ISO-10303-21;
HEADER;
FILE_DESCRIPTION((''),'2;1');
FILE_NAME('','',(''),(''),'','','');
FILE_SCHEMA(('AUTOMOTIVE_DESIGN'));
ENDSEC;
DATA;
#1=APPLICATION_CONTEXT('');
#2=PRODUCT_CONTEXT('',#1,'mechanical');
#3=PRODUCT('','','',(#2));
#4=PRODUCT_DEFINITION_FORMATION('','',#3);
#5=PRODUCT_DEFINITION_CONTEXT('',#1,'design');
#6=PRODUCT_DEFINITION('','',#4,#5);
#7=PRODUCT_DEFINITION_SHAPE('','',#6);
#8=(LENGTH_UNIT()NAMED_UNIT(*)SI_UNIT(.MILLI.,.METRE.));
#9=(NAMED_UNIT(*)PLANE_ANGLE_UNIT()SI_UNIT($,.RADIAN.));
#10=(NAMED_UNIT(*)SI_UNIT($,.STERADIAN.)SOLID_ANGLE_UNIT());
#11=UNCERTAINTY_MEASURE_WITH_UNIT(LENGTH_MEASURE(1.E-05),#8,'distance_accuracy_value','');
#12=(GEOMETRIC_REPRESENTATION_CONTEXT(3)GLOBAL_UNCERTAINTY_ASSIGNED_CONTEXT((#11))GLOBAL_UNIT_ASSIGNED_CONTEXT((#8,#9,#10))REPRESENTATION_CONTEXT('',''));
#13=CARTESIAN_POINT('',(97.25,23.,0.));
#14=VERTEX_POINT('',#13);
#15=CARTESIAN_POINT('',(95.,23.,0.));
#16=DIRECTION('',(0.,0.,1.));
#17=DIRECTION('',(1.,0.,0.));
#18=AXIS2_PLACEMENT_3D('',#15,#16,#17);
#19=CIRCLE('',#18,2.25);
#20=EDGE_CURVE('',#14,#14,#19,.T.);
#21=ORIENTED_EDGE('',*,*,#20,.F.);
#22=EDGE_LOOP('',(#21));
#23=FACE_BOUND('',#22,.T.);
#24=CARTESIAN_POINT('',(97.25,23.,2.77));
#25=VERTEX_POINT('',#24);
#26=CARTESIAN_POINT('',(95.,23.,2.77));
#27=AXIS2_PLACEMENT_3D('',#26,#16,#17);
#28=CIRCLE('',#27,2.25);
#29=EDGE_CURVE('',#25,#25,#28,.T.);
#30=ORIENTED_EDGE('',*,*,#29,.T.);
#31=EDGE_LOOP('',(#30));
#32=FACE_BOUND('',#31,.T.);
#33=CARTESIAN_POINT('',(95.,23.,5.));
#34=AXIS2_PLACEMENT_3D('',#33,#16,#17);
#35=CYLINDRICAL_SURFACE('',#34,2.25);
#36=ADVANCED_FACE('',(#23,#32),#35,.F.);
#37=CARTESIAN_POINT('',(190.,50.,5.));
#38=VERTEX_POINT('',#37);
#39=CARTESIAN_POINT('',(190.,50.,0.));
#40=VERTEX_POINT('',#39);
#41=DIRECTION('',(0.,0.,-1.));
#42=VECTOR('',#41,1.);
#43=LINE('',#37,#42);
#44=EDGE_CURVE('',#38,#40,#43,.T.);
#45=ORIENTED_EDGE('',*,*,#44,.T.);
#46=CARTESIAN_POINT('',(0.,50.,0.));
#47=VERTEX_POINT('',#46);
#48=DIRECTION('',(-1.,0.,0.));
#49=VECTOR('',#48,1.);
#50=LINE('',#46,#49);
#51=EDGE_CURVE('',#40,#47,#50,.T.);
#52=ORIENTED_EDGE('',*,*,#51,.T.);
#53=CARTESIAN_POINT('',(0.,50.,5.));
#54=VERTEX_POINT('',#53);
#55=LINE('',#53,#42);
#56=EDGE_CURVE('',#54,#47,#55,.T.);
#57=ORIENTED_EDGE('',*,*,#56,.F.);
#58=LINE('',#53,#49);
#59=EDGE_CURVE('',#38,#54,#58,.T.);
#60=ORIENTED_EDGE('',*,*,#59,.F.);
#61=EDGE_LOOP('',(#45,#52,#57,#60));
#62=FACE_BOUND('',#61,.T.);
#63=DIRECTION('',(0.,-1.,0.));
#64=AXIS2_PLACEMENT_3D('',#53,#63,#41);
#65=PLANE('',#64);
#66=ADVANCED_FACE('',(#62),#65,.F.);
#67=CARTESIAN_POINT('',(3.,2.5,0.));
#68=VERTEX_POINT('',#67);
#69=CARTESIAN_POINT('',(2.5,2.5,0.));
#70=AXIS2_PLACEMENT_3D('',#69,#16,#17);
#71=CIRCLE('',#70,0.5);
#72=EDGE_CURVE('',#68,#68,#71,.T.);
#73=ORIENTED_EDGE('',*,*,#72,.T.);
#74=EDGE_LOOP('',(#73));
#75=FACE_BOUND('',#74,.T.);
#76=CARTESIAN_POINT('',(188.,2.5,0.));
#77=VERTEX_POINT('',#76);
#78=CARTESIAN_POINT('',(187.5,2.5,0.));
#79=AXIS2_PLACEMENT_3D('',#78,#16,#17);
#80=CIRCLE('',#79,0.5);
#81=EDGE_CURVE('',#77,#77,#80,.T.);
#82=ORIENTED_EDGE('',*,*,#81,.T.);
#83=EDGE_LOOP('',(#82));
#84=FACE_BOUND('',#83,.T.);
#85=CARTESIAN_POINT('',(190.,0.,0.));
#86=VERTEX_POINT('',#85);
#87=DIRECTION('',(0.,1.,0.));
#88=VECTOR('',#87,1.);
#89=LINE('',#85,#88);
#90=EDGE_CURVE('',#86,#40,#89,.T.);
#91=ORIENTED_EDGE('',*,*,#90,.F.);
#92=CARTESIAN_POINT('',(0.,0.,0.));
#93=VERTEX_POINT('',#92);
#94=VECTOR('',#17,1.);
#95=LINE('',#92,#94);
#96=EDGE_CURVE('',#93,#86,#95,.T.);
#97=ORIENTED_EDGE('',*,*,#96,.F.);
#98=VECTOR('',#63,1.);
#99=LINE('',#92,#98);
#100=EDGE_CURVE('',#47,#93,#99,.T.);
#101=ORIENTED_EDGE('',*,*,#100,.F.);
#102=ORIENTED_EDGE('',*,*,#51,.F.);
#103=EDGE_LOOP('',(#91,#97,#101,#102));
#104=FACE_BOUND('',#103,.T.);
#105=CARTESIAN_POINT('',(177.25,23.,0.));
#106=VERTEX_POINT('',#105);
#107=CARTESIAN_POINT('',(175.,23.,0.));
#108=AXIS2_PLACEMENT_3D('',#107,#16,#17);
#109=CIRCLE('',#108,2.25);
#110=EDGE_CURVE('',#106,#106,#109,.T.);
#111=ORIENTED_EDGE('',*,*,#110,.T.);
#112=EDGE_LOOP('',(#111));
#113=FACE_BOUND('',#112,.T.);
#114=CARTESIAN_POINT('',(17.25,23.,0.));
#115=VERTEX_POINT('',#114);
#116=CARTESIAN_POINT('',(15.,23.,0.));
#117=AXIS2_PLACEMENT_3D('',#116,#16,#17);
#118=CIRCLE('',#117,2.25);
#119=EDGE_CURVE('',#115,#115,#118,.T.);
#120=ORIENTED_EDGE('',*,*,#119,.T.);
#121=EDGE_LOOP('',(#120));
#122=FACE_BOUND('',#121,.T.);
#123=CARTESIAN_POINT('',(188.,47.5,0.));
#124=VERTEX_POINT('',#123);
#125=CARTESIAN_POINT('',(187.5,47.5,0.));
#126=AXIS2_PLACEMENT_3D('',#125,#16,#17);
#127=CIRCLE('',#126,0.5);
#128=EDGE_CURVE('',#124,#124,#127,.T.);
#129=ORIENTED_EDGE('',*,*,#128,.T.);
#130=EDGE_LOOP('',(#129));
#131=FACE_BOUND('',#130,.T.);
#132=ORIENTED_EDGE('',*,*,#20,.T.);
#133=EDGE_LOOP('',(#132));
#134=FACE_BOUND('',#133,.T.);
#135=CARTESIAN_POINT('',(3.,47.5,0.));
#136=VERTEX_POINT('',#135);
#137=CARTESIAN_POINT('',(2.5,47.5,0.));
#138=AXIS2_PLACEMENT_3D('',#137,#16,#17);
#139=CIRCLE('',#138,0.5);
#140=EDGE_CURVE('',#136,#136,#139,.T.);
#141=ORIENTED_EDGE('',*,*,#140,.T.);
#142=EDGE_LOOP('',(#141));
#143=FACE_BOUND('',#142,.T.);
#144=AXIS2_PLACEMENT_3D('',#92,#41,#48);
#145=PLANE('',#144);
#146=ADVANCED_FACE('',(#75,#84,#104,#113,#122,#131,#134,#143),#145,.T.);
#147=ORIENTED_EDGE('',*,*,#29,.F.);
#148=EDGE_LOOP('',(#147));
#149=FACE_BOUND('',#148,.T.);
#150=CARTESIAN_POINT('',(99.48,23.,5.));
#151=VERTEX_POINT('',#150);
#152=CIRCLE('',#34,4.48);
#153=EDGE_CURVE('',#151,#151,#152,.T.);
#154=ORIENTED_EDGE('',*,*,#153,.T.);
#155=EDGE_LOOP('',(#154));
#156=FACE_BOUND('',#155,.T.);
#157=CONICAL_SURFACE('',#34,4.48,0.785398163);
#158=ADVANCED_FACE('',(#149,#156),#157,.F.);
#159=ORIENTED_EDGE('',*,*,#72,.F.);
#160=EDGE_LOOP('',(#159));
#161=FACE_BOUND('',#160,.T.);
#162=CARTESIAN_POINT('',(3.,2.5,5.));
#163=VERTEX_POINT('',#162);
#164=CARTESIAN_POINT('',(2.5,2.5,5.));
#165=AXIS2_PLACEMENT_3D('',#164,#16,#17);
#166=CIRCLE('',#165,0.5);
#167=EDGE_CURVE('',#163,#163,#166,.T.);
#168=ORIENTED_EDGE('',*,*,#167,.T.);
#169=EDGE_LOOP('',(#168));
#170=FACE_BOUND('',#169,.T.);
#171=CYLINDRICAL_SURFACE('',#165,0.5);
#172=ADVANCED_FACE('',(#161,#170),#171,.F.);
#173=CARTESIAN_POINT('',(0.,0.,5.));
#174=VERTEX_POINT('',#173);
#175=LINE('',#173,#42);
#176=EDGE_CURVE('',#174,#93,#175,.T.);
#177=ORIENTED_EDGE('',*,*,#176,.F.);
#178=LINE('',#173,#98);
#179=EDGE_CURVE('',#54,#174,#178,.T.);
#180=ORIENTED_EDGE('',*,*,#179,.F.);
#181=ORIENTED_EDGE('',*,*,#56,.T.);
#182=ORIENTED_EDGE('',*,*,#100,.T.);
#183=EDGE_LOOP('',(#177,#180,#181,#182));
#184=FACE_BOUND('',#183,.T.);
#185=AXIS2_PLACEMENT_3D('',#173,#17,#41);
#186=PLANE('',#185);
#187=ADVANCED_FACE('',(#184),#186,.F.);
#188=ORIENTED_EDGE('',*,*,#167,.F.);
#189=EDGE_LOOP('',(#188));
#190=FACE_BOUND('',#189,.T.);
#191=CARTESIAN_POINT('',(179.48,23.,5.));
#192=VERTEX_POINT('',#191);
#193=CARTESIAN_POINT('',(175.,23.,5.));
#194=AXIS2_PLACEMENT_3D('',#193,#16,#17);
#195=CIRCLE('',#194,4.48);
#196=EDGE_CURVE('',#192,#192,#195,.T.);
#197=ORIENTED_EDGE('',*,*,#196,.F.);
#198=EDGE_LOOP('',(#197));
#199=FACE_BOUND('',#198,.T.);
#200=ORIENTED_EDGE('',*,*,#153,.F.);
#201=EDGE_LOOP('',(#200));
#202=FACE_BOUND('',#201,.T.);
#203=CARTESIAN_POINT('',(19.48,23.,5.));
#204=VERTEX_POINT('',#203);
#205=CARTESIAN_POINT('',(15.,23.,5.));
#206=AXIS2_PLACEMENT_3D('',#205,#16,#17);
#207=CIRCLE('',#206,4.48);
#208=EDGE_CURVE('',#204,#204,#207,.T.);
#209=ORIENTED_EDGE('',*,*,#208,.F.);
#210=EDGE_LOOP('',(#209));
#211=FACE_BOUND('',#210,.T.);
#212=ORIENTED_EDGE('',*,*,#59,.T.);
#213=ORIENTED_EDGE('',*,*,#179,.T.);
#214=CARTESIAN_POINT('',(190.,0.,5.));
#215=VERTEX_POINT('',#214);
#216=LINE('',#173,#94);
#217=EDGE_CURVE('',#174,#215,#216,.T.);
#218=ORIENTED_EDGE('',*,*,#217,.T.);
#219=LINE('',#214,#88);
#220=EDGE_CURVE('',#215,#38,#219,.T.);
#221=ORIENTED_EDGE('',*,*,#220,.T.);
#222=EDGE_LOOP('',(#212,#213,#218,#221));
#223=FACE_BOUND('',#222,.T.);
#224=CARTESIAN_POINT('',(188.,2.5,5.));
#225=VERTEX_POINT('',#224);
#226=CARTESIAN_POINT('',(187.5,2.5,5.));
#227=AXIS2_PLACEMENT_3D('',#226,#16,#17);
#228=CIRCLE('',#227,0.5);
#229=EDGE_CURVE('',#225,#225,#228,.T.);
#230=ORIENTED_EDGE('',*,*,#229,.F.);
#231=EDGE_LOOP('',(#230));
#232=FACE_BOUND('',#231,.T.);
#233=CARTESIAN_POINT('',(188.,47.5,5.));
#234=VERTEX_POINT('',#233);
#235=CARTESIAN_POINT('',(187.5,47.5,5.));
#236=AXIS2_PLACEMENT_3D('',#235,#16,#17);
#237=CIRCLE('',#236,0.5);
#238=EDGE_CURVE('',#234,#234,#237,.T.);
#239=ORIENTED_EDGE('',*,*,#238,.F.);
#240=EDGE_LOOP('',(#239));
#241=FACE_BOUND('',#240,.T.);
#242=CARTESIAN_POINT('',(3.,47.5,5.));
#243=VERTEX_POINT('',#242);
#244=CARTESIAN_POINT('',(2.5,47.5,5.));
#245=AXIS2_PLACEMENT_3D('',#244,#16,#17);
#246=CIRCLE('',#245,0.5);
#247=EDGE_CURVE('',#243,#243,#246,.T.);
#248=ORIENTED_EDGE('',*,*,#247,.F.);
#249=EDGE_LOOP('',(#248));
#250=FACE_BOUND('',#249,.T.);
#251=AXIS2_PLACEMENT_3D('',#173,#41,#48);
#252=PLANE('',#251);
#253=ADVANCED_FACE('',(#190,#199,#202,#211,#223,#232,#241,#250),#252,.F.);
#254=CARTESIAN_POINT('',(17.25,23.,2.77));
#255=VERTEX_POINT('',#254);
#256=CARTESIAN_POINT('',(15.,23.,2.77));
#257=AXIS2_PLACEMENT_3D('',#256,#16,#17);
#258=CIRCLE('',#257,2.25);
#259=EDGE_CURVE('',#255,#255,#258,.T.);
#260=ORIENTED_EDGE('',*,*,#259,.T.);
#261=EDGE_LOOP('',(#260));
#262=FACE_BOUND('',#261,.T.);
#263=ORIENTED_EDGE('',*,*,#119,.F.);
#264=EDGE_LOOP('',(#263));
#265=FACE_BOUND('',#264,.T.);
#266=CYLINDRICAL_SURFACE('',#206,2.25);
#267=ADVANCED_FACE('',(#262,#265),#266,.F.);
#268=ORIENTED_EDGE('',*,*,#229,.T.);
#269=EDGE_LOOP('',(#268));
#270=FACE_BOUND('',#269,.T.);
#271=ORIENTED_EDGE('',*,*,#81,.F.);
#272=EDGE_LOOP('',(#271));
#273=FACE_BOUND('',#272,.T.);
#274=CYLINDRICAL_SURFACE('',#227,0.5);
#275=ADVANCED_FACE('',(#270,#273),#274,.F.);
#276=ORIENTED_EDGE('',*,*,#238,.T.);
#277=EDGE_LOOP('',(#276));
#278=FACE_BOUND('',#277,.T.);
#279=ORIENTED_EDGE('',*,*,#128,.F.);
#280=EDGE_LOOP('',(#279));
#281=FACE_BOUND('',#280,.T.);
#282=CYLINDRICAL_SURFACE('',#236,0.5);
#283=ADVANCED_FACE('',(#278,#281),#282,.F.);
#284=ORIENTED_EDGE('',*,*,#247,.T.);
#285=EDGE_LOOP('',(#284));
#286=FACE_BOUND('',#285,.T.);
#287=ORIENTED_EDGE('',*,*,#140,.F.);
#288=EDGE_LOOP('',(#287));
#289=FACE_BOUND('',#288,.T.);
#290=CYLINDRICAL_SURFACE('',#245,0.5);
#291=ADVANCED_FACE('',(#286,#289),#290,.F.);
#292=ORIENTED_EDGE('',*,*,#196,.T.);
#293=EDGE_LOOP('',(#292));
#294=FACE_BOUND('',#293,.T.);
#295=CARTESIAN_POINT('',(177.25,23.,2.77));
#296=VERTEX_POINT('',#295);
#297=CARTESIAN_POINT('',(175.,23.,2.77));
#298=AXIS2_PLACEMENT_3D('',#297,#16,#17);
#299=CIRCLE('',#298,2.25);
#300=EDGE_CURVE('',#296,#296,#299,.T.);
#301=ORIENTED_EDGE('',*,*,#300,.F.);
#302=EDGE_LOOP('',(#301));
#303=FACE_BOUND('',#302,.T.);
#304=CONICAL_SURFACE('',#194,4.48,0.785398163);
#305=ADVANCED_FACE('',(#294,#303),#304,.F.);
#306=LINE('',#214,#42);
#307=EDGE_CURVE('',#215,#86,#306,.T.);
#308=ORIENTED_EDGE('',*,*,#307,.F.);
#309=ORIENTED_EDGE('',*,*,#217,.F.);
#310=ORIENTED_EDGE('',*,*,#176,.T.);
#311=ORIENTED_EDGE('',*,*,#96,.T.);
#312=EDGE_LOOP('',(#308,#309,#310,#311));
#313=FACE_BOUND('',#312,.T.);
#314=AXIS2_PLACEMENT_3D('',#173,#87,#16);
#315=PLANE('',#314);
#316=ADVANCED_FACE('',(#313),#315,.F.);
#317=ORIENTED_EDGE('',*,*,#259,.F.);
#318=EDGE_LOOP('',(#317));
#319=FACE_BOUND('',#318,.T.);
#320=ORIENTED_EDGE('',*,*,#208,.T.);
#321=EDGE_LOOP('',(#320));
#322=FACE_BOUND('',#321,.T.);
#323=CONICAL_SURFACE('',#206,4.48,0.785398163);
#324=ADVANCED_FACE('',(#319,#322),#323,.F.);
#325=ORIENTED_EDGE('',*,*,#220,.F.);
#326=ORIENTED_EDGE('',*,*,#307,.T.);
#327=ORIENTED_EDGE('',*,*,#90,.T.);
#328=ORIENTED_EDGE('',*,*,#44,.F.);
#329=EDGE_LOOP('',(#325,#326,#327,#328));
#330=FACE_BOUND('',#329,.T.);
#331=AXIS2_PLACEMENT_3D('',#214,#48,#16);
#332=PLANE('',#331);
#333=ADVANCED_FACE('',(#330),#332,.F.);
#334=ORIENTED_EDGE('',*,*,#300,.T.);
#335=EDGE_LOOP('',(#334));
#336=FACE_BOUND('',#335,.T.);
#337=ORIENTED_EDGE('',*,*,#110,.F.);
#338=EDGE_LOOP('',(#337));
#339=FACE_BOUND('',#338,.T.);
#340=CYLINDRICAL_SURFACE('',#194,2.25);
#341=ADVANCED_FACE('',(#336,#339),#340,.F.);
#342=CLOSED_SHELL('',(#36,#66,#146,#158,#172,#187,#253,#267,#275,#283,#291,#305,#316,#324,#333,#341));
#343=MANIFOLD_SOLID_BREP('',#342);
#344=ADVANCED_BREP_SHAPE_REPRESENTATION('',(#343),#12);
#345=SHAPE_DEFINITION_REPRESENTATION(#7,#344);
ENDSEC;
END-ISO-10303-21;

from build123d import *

# Parameters (mm, degrees)
ESBO_O1_W                            = 190
ESBO_O1_H                            = 50
RESSALTO_EXTRUS_O1_DEPTH             = 5
FURO_DE_DI_METRO_1_0_1_1_D           = 1
ESCAREADO_PARA_SFHCS_M41_D           = 4.5
ESCAREADO_PARA_SFHCS_M41_CSINK_D     = 8.96
ESCAREADO_PARA_SFHCS_M41_CSINK_ANGLE = 90
ESCAREADO_PARA_SFHCS_M42_D           = 4.5
ESCAREADO_PARA_SFHCS_M42_CSINK_D     = 8.96
ESCAREADO_PARA_SFHCS_M42_CSINK_ANGLE = 90


with BuildPart() as part:
    # Esboço1 → Ressalto-extrusão1 (new body)
    with BuildSketch(Plane.XY):
        with Locations((95, 25)):
            Rectangle(ESBO_O1_W, ESBO_O1_H)
    extrude(amount=RESSALTO_EXTRUS_O1_DEPTH)

    # Furo de diâmetro Ø1.0 (1)1 (through all)
    with Locations(Plane(origin=(2.5, 47.5, 5), x_dir=(1, 0, 0), z_dir=(0, 0, 1))):
        with Locations((0, 0), (0, -45), (185, -45), (185, 0)):
            Hole(FURO_DE_DI_METRO_1_0_1_1_D / 2)

    # Escareado para SFHCS M41 (through all)
    with Locations(Plane(origin=(15, 23, 5), x_dir=(1, 0, 0), z_dir=(0, 0, 1))):
        with Locations((0, 0), (80, 0)):
            CounterSinkHole(ESCAREADO_PARA_SFHCS_M41_D / 2, ESCAREADO_PARA_SFHCS_M41_CSINK_D / 2, counter_sink_angle=ESCAREADO_PARA_SFHCS_M41_CSINK_ANGLE)

    # Escareado para SFHCS M42 (through all)
    with Locations(Plane(origin=(175, 23, 5), x_dir=(1, 0, 0), z_dir=(0, 0, 1))):
        with Locations((0, 0)):
            CounterSinkHole(ESCAREADO_PARA_SFHCS_M42_D / 2, ESCAREADO_PARA_SFHCS_M42_CSINK_D / 2, counter_sink_angle=ESCAREADO_PARA_SFHCS_M42_CSINK_ANGLE)


solid = part.part
